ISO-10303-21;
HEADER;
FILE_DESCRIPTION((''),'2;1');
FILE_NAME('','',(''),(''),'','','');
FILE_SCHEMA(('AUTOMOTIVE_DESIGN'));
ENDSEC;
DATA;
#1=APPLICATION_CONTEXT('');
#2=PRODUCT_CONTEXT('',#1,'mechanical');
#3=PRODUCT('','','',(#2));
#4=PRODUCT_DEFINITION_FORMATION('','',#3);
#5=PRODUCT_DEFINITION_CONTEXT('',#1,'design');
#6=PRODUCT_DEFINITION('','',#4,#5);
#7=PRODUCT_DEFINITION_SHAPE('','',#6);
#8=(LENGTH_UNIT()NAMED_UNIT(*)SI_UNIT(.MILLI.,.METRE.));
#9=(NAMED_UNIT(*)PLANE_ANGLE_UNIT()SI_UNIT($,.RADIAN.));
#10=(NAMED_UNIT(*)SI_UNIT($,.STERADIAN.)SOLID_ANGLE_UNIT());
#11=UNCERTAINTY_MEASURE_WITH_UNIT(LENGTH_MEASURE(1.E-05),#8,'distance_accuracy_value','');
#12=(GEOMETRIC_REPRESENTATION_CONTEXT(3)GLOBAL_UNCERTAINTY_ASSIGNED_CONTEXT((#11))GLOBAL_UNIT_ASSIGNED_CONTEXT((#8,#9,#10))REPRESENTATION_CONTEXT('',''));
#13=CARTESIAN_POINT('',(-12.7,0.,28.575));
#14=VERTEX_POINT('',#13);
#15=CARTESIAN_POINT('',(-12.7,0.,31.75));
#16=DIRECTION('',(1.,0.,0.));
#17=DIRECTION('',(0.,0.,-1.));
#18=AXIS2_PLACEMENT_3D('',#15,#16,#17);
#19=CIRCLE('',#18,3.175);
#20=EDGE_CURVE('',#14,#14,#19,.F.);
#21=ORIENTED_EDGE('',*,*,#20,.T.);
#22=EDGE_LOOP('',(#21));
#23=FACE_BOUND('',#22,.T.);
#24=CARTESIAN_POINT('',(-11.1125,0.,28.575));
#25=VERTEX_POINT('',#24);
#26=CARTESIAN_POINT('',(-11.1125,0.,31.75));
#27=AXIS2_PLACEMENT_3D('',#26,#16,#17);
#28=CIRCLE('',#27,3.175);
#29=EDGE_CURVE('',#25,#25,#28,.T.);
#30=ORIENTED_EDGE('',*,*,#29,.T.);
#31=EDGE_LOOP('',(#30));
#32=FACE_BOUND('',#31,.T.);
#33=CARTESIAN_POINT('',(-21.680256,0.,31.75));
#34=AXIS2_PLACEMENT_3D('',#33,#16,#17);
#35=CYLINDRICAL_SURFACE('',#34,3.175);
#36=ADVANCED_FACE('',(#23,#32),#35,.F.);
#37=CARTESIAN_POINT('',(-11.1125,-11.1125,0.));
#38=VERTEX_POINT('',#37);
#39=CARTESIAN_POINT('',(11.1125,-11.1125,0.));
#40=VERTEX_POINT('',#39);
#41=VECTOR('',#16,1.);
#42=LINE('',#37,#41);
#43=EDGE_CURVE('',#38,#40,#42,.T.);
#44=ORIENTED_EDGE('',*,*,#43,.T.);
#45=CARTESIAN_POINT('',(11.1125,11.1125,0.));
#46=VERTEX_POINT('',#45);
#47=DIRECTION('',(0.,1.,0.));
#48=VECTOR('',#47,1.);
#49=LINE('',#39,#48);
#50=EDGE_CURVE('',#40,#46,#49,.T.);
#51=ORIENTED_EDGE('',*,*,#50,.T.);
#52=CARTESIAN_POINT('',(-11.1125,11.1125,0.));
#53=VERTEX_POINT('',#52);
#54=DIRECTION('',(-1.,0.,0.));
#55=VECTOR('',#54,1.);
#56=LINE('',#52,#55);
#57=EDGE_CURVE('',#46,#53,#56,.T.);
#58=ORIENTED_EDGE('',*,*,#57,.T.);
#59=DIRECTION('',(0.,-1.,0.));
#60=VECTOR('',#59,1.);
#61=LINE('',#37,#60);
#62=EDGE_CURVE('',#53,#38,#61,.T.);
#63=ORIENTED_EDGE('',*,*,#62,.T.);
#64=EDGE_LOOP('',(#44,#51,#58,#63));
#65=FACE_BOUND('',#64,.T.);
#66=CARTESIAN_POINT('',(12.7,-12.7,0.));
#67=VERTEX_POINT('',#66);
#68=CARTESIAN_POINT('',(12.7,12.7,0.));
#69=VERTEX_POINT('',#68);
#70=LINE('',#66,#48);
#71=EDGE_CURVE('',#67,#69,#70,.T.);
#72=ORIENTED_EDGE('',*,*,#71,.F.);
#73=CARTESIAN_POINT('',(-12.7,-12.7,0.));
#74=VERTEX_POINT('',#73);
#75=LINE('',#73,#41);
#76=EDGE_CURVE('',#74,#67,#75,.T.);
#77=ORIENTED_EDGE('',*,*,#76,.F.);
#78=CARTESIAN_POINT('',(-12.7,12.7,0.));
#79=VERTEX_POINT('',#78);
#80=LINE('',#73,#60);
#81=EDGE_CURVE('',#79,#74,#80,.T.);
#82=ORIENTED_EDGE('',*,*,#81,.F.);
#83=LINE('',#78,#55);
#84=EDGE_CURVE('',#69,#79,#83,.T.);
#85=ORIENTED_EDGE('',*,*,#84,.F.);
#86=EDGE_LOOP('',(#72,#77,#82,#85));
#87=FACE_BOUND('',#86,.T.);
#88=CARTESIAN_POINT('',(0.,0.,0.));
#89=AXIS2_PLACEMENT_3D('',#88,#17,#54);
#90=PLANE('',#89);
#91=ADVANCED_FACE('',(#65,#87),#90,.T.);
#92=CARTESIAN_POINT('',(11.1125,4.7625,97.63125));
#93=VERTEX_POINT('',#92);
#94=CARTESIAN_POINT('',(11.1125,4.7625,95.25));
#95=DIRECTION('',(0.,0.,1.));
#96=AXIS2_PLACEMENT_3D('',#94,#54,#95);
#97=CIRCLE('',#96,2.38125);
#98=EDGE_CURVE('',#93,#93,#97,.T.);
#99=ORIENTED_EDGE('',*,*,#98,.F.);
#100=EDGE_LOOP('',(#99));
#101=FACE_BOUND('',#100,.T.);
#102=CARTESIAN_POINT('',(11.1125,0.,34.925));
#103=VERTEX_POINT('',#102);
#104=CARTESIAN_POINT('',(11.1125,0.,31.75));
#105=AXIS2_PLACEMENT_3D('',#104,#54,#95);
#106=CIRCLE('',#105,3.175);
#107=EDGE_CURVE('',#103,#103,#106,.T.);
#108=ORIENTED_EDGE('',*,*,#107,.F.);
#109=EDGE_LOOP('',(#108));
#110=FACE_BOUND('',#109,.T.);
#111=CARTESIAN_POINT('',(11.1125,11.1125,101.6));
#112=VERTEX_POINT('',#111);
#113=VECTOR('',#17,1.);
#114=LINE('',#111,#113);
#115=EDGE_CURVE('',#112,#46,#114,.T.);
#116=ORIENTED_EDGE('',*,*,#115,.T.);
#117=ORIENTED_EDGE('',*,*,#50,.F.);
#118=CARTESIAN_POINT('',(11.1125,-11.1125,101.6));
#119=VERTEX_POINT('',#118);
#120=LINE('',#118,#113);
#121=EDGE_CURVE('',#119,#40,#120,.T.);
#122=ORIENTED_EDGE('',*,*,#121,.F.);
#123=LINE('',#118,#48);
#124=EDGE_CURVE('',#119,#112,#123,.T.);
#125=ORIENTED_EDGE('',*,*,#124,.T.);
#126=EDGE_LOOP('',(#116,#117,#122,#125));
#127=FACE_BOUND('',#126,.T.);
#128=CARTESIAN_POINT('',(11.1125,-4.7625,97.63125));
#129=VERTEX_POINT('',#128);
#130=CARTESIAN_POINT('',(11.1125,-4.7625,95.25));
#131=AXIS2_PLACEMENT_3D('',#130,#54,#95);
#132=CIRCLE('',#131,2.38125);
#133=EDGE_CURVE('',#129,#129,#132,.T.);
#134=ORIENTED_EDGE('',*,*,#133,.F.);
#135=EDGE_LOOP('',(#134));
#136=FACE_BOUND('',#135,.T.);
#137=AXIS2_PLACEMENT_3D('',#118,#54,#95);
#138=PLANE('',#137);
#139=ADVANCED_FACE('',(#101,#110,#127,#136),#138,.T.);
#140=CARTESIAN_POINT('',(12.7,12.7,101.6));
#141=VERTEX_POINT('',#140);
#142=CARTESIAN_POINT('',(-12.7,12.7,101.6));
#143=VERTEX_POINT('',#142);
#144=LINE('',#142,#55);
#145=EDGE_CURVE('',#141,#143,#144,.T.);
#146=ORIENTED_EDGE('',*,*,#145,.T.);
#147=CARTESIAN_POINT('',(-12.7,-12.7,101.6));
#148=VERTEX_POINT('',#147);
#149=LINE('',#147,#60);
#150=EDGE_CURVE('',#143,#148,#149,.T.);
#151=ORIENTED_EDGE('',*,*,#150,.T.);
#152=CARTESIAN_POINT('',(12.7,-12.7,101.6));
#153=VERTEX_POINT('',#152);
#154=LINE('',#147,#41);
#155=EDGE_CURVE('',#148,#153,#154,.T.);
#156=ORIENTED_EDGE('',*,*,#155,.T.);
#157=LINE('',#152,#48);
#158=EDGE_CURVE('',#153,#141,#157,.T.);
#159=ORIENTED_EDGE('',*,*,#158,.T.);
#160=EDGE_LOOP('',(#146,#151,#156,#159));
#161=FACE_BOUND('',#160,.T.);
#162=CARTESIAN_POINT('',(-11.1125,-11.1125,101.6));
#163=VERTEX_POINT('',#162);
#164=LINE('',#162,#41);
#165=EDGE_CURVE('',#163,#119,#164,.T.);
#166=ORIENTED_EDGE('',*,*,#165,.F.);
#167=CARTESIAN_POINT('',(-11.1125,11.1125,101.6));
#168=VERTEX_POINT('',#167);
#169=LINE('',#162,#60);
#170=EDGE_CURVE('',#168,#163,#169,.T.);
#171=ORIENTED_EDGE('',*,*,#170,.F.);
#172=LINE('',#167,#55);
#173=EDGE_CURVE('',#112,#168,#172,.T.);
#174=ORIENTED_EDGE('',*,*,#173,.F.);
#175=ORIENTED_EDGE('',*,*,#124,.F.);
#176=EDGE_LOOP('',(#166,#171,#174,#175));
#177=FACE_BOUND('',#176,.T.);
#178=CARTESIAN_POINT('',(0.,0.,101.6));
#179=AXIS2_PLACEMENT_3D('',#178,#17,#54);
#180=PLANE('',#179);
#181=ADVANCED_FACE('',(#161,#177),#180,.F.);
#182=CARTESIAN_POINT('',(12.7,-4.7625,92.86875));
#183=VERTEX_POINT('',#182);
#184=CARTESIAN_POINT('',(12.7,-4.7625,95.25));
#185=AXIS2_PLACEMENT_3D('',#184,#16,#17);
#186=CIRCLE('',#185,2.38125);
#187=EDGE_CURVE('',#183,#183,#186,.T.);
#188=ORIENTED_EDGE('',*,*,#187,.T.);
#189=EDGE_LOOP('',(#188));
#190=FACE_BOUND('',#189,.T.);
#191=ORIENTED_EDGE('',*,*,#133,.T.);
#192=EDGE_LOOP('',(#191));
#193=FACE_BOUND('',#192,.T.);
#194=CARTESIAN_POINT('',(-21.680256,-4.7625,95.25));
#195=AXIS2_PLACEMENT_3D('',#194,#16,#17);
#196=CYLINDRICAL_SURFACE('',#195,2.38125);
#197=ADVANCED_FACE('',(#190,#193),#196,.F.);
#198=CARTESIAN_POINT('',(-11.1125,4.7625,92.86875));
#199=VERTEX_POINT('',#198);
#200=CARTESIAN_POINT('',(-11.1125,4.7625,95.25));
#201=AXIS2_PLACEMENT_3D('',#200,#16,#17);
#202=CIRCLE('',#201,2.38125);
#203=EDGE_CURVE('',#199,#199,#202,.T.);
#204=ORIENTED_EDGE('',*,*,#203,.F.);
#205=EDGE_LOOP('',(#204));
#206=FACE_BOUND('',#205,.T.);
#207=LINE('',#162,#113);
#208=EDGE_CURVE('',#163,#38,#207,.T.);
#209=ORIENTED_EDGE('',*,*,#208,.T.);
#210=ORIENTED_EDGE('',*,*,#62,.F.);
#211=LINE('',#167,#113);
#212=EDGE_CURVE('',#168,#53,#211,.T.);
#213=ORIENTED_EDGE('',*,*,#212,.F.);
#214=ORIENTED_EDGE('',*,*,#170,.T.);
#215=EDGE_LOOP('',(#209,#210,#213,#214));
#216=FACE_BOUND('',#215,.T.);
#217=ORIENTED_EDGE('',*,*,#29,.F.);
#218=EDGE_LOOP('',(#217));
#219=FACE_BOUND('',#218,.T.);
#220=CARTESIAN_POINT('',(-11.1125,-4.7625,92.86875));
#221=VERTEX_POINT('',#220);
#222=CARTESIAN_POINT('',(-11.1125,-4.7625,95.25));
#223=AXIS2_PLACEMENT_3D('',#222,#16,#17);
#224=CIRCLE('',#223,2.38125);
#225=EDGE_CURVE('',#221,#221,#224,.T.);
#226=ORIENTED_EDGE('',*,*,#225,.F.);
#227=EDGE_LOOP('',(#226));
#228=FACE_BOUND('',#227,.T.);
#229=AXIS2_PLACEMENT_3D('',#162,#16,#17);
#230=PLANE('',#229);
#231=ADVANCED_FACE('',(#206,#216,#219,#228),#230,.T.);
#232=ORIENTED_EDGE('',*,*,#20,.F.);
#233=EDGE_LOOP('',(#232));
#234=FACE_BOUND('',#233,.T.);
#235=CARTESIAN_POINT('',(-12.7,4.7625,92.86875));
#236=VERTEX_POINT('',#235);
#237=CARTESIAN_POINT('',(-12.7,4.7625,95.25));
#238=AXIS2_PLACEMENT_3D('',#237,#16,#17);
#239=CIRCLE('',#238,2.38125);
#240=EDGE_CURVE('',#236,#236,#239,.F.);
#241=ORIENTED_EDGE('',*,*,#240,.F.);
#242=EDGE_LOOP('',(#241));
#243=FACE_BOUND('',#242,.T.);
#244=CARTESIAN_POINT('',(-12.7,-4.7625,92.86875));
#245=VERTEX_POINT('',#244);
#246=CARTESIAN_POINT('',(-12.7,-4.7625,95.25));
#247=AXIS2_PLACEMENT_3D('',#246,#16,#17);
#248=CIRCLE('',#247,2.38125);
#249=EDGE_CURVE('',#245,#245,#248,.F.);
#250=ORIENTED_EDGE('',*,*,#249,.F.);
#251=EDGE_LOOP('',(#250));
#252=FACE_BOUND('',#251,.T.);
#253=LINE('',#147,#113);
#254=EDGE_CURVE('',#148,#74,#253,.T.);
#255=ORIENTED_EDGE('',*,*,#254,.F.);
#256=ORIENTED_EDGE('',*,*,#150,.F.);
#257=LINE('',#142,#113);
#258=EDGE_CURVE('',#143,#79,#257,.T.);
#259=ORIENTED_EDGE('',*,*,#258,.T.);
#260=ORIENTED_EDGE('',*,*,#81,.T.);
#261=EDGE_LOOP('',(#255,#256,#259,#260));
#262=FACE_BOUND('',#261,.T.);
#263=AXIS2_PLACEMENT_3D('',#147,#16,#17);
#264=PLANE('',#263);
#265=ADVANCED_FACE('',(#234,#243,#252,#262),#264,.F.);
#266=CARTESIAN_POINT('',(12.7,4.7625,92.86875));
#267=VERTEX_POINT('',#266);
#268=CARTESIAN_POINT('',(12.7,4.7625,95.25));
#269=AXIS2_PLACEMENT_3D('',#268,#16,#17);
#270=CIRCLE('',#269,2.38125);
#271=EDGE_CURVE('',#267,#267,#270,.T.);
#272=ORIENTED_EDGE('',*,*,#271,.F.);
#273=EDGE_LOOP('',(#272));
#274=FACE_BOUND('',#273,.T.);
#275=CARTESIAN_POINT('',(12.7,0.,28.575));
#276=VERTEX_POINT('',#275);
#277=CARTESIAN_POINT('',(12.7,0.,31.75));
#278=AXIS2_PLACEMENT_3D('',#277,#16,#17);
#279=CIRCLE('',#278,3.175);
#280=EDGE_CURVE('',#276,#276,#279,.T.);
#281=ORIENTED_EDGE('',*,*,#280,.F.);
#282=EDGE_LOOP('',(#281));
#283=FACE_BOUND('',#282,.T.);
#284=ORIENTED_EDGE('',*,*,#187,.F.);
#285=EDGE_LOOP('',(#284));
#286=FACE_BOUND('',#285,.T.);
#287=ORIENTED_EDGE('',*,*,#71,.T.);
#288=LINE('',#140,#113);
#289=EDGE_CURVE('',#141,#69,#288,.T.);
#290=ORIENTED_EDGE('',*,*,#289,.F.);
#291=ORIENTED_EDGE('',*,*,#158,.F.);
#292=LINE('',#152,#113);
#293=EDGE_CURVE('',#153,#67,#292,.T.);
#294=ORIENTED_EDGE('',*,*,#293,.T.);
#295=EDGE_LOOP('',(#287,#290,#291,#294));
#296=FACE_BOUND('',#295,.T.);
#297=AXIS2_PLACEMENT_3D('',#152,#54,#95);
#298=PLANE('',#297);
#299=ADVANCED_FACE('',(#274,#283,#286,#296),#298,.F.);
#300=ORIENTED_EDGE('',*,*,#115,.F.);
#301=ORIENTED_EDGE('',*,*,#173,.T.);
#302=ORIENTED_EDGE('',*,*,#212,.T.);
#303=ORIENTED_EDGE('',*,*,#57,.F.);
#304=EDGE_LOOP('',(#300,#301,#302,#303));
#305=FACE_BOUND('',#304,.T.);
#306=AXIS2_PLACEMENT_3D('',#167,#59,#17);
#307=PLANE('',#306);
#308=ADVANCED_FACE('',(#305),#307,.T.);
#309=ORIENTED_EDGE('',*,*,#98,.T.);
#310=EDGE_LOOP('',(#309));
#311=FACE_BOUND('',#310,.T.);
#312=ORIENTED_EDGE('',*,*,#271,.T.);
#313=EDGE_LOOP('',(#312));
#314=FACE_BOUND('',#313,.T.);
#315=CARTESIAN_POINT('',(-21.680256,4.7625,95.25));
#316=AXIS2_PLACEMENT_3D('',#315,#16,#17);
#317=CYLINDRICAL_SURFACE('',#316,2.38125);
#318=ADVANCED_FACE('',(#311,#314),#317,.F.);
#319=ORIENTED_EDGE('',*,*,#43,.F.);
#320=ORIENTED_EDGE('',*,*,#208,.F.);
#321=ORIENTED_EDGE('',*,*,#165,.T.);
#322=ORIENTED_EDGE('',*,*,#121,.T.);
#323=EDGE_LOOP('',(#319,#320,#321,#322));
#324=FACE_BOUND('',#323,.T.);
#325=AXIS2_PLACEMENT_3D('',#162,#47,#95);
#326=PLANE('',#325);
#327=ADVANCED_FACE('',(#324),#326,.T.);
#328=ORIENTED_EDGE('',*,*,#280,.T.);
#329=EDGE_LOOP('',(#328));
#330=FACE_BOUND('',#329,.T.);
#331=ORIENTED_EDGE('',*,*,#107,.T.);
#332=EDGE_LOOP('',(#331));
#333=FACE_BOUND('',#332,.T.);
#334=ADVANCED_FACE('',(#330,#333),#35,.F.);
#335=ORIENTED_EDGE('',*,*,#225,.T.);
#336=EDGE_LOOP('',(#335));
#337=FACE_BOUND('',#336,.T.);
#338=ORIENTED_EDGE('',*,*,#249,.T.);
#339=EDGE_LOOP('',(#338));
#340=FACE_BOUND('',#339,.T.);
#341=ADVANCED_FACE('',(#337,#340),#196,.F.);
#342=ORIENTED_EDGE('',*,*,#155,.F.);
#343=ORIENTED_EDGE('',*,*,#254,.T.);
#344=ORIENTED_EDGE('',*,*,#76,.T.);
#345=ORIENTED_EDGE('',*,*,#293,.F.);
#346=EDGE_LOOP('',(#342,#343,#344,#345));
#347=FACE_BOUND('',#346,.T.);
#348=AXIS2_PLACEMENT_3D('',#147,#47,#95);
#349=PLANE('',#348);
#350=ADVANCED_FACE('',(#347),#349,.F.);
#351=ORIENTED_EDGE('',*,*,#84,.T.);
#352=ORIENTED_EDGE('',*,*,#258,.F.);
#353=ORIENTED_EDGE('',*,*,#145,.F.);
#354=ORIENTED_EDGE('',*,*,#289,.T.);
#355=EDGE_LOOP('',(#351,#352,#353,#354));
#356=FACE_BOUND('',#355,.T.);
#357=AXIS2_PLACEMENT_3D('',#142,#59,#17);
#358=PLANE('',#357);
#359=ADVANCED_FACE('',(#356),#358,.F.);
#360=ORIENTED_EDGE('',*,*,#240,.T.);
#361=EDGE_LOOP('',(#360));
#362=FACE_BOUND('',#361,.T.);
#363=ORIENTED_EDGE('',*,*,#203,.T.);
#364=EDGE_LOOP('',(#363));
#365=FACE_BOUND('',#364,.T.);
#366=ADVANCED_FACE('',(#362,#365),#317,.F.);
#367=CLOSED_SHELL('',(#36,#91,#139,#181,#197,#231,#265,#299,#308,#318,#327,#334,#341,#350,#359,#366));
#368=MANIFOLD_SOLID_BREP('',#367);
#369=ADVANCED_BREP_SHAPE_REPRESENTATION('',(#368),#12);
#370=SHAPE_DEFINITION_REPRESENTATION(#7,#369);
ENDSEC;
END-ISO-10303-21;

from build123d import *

# Parameters (mm, degrees)
SKETCH1_W           = 25.4
SKETCH1_H           = 25.4
SKETCH1_W_2         = 22.225
SKETCH1_H_2         = 22.225
BOSS_EXTRUDE1_DEPTH = 101.6
SKETCH2_R           = 2.38125
SKETCH2_R_2         = 3.175
CUT_EXTRUDE1_DEPTH  = 25.4


with BuildPart() as part:
    # Sketch1 → Boss-Extrude1 (new body)
    with BuildSketch(Plane.XY):
        Rectangle(SKETCH1_W, SKETCH1_H)
        Rectangle(SKETCH1_W_2, SKETCH1_H_2, mode=Mode.SUBTRACT)
    extrude(amount=BOSS_EXTRUDE1_DEPTH)

    # Sketch2 → Cut-Extrude1 (cut)
    with BuildSketch(Plane(origin=(12.7, 0, 0), x_dir=(0, 0, -1), z_dir=(1, 0, 0))):
        with Locations((-95.25, 4.7625)):
            Circle(SKETCH2_R)
        with Locations((-95.25, -4.7625)):
            Circle(SKETCH2_R)
        with Locations((-31.75, 0)):
            Circle(SKETCH2_R_2)
    extrude(amount=-CUT_EXTRUDE1_DEPTH, mode=Mode.SUBTRACT)


solid = part.part
